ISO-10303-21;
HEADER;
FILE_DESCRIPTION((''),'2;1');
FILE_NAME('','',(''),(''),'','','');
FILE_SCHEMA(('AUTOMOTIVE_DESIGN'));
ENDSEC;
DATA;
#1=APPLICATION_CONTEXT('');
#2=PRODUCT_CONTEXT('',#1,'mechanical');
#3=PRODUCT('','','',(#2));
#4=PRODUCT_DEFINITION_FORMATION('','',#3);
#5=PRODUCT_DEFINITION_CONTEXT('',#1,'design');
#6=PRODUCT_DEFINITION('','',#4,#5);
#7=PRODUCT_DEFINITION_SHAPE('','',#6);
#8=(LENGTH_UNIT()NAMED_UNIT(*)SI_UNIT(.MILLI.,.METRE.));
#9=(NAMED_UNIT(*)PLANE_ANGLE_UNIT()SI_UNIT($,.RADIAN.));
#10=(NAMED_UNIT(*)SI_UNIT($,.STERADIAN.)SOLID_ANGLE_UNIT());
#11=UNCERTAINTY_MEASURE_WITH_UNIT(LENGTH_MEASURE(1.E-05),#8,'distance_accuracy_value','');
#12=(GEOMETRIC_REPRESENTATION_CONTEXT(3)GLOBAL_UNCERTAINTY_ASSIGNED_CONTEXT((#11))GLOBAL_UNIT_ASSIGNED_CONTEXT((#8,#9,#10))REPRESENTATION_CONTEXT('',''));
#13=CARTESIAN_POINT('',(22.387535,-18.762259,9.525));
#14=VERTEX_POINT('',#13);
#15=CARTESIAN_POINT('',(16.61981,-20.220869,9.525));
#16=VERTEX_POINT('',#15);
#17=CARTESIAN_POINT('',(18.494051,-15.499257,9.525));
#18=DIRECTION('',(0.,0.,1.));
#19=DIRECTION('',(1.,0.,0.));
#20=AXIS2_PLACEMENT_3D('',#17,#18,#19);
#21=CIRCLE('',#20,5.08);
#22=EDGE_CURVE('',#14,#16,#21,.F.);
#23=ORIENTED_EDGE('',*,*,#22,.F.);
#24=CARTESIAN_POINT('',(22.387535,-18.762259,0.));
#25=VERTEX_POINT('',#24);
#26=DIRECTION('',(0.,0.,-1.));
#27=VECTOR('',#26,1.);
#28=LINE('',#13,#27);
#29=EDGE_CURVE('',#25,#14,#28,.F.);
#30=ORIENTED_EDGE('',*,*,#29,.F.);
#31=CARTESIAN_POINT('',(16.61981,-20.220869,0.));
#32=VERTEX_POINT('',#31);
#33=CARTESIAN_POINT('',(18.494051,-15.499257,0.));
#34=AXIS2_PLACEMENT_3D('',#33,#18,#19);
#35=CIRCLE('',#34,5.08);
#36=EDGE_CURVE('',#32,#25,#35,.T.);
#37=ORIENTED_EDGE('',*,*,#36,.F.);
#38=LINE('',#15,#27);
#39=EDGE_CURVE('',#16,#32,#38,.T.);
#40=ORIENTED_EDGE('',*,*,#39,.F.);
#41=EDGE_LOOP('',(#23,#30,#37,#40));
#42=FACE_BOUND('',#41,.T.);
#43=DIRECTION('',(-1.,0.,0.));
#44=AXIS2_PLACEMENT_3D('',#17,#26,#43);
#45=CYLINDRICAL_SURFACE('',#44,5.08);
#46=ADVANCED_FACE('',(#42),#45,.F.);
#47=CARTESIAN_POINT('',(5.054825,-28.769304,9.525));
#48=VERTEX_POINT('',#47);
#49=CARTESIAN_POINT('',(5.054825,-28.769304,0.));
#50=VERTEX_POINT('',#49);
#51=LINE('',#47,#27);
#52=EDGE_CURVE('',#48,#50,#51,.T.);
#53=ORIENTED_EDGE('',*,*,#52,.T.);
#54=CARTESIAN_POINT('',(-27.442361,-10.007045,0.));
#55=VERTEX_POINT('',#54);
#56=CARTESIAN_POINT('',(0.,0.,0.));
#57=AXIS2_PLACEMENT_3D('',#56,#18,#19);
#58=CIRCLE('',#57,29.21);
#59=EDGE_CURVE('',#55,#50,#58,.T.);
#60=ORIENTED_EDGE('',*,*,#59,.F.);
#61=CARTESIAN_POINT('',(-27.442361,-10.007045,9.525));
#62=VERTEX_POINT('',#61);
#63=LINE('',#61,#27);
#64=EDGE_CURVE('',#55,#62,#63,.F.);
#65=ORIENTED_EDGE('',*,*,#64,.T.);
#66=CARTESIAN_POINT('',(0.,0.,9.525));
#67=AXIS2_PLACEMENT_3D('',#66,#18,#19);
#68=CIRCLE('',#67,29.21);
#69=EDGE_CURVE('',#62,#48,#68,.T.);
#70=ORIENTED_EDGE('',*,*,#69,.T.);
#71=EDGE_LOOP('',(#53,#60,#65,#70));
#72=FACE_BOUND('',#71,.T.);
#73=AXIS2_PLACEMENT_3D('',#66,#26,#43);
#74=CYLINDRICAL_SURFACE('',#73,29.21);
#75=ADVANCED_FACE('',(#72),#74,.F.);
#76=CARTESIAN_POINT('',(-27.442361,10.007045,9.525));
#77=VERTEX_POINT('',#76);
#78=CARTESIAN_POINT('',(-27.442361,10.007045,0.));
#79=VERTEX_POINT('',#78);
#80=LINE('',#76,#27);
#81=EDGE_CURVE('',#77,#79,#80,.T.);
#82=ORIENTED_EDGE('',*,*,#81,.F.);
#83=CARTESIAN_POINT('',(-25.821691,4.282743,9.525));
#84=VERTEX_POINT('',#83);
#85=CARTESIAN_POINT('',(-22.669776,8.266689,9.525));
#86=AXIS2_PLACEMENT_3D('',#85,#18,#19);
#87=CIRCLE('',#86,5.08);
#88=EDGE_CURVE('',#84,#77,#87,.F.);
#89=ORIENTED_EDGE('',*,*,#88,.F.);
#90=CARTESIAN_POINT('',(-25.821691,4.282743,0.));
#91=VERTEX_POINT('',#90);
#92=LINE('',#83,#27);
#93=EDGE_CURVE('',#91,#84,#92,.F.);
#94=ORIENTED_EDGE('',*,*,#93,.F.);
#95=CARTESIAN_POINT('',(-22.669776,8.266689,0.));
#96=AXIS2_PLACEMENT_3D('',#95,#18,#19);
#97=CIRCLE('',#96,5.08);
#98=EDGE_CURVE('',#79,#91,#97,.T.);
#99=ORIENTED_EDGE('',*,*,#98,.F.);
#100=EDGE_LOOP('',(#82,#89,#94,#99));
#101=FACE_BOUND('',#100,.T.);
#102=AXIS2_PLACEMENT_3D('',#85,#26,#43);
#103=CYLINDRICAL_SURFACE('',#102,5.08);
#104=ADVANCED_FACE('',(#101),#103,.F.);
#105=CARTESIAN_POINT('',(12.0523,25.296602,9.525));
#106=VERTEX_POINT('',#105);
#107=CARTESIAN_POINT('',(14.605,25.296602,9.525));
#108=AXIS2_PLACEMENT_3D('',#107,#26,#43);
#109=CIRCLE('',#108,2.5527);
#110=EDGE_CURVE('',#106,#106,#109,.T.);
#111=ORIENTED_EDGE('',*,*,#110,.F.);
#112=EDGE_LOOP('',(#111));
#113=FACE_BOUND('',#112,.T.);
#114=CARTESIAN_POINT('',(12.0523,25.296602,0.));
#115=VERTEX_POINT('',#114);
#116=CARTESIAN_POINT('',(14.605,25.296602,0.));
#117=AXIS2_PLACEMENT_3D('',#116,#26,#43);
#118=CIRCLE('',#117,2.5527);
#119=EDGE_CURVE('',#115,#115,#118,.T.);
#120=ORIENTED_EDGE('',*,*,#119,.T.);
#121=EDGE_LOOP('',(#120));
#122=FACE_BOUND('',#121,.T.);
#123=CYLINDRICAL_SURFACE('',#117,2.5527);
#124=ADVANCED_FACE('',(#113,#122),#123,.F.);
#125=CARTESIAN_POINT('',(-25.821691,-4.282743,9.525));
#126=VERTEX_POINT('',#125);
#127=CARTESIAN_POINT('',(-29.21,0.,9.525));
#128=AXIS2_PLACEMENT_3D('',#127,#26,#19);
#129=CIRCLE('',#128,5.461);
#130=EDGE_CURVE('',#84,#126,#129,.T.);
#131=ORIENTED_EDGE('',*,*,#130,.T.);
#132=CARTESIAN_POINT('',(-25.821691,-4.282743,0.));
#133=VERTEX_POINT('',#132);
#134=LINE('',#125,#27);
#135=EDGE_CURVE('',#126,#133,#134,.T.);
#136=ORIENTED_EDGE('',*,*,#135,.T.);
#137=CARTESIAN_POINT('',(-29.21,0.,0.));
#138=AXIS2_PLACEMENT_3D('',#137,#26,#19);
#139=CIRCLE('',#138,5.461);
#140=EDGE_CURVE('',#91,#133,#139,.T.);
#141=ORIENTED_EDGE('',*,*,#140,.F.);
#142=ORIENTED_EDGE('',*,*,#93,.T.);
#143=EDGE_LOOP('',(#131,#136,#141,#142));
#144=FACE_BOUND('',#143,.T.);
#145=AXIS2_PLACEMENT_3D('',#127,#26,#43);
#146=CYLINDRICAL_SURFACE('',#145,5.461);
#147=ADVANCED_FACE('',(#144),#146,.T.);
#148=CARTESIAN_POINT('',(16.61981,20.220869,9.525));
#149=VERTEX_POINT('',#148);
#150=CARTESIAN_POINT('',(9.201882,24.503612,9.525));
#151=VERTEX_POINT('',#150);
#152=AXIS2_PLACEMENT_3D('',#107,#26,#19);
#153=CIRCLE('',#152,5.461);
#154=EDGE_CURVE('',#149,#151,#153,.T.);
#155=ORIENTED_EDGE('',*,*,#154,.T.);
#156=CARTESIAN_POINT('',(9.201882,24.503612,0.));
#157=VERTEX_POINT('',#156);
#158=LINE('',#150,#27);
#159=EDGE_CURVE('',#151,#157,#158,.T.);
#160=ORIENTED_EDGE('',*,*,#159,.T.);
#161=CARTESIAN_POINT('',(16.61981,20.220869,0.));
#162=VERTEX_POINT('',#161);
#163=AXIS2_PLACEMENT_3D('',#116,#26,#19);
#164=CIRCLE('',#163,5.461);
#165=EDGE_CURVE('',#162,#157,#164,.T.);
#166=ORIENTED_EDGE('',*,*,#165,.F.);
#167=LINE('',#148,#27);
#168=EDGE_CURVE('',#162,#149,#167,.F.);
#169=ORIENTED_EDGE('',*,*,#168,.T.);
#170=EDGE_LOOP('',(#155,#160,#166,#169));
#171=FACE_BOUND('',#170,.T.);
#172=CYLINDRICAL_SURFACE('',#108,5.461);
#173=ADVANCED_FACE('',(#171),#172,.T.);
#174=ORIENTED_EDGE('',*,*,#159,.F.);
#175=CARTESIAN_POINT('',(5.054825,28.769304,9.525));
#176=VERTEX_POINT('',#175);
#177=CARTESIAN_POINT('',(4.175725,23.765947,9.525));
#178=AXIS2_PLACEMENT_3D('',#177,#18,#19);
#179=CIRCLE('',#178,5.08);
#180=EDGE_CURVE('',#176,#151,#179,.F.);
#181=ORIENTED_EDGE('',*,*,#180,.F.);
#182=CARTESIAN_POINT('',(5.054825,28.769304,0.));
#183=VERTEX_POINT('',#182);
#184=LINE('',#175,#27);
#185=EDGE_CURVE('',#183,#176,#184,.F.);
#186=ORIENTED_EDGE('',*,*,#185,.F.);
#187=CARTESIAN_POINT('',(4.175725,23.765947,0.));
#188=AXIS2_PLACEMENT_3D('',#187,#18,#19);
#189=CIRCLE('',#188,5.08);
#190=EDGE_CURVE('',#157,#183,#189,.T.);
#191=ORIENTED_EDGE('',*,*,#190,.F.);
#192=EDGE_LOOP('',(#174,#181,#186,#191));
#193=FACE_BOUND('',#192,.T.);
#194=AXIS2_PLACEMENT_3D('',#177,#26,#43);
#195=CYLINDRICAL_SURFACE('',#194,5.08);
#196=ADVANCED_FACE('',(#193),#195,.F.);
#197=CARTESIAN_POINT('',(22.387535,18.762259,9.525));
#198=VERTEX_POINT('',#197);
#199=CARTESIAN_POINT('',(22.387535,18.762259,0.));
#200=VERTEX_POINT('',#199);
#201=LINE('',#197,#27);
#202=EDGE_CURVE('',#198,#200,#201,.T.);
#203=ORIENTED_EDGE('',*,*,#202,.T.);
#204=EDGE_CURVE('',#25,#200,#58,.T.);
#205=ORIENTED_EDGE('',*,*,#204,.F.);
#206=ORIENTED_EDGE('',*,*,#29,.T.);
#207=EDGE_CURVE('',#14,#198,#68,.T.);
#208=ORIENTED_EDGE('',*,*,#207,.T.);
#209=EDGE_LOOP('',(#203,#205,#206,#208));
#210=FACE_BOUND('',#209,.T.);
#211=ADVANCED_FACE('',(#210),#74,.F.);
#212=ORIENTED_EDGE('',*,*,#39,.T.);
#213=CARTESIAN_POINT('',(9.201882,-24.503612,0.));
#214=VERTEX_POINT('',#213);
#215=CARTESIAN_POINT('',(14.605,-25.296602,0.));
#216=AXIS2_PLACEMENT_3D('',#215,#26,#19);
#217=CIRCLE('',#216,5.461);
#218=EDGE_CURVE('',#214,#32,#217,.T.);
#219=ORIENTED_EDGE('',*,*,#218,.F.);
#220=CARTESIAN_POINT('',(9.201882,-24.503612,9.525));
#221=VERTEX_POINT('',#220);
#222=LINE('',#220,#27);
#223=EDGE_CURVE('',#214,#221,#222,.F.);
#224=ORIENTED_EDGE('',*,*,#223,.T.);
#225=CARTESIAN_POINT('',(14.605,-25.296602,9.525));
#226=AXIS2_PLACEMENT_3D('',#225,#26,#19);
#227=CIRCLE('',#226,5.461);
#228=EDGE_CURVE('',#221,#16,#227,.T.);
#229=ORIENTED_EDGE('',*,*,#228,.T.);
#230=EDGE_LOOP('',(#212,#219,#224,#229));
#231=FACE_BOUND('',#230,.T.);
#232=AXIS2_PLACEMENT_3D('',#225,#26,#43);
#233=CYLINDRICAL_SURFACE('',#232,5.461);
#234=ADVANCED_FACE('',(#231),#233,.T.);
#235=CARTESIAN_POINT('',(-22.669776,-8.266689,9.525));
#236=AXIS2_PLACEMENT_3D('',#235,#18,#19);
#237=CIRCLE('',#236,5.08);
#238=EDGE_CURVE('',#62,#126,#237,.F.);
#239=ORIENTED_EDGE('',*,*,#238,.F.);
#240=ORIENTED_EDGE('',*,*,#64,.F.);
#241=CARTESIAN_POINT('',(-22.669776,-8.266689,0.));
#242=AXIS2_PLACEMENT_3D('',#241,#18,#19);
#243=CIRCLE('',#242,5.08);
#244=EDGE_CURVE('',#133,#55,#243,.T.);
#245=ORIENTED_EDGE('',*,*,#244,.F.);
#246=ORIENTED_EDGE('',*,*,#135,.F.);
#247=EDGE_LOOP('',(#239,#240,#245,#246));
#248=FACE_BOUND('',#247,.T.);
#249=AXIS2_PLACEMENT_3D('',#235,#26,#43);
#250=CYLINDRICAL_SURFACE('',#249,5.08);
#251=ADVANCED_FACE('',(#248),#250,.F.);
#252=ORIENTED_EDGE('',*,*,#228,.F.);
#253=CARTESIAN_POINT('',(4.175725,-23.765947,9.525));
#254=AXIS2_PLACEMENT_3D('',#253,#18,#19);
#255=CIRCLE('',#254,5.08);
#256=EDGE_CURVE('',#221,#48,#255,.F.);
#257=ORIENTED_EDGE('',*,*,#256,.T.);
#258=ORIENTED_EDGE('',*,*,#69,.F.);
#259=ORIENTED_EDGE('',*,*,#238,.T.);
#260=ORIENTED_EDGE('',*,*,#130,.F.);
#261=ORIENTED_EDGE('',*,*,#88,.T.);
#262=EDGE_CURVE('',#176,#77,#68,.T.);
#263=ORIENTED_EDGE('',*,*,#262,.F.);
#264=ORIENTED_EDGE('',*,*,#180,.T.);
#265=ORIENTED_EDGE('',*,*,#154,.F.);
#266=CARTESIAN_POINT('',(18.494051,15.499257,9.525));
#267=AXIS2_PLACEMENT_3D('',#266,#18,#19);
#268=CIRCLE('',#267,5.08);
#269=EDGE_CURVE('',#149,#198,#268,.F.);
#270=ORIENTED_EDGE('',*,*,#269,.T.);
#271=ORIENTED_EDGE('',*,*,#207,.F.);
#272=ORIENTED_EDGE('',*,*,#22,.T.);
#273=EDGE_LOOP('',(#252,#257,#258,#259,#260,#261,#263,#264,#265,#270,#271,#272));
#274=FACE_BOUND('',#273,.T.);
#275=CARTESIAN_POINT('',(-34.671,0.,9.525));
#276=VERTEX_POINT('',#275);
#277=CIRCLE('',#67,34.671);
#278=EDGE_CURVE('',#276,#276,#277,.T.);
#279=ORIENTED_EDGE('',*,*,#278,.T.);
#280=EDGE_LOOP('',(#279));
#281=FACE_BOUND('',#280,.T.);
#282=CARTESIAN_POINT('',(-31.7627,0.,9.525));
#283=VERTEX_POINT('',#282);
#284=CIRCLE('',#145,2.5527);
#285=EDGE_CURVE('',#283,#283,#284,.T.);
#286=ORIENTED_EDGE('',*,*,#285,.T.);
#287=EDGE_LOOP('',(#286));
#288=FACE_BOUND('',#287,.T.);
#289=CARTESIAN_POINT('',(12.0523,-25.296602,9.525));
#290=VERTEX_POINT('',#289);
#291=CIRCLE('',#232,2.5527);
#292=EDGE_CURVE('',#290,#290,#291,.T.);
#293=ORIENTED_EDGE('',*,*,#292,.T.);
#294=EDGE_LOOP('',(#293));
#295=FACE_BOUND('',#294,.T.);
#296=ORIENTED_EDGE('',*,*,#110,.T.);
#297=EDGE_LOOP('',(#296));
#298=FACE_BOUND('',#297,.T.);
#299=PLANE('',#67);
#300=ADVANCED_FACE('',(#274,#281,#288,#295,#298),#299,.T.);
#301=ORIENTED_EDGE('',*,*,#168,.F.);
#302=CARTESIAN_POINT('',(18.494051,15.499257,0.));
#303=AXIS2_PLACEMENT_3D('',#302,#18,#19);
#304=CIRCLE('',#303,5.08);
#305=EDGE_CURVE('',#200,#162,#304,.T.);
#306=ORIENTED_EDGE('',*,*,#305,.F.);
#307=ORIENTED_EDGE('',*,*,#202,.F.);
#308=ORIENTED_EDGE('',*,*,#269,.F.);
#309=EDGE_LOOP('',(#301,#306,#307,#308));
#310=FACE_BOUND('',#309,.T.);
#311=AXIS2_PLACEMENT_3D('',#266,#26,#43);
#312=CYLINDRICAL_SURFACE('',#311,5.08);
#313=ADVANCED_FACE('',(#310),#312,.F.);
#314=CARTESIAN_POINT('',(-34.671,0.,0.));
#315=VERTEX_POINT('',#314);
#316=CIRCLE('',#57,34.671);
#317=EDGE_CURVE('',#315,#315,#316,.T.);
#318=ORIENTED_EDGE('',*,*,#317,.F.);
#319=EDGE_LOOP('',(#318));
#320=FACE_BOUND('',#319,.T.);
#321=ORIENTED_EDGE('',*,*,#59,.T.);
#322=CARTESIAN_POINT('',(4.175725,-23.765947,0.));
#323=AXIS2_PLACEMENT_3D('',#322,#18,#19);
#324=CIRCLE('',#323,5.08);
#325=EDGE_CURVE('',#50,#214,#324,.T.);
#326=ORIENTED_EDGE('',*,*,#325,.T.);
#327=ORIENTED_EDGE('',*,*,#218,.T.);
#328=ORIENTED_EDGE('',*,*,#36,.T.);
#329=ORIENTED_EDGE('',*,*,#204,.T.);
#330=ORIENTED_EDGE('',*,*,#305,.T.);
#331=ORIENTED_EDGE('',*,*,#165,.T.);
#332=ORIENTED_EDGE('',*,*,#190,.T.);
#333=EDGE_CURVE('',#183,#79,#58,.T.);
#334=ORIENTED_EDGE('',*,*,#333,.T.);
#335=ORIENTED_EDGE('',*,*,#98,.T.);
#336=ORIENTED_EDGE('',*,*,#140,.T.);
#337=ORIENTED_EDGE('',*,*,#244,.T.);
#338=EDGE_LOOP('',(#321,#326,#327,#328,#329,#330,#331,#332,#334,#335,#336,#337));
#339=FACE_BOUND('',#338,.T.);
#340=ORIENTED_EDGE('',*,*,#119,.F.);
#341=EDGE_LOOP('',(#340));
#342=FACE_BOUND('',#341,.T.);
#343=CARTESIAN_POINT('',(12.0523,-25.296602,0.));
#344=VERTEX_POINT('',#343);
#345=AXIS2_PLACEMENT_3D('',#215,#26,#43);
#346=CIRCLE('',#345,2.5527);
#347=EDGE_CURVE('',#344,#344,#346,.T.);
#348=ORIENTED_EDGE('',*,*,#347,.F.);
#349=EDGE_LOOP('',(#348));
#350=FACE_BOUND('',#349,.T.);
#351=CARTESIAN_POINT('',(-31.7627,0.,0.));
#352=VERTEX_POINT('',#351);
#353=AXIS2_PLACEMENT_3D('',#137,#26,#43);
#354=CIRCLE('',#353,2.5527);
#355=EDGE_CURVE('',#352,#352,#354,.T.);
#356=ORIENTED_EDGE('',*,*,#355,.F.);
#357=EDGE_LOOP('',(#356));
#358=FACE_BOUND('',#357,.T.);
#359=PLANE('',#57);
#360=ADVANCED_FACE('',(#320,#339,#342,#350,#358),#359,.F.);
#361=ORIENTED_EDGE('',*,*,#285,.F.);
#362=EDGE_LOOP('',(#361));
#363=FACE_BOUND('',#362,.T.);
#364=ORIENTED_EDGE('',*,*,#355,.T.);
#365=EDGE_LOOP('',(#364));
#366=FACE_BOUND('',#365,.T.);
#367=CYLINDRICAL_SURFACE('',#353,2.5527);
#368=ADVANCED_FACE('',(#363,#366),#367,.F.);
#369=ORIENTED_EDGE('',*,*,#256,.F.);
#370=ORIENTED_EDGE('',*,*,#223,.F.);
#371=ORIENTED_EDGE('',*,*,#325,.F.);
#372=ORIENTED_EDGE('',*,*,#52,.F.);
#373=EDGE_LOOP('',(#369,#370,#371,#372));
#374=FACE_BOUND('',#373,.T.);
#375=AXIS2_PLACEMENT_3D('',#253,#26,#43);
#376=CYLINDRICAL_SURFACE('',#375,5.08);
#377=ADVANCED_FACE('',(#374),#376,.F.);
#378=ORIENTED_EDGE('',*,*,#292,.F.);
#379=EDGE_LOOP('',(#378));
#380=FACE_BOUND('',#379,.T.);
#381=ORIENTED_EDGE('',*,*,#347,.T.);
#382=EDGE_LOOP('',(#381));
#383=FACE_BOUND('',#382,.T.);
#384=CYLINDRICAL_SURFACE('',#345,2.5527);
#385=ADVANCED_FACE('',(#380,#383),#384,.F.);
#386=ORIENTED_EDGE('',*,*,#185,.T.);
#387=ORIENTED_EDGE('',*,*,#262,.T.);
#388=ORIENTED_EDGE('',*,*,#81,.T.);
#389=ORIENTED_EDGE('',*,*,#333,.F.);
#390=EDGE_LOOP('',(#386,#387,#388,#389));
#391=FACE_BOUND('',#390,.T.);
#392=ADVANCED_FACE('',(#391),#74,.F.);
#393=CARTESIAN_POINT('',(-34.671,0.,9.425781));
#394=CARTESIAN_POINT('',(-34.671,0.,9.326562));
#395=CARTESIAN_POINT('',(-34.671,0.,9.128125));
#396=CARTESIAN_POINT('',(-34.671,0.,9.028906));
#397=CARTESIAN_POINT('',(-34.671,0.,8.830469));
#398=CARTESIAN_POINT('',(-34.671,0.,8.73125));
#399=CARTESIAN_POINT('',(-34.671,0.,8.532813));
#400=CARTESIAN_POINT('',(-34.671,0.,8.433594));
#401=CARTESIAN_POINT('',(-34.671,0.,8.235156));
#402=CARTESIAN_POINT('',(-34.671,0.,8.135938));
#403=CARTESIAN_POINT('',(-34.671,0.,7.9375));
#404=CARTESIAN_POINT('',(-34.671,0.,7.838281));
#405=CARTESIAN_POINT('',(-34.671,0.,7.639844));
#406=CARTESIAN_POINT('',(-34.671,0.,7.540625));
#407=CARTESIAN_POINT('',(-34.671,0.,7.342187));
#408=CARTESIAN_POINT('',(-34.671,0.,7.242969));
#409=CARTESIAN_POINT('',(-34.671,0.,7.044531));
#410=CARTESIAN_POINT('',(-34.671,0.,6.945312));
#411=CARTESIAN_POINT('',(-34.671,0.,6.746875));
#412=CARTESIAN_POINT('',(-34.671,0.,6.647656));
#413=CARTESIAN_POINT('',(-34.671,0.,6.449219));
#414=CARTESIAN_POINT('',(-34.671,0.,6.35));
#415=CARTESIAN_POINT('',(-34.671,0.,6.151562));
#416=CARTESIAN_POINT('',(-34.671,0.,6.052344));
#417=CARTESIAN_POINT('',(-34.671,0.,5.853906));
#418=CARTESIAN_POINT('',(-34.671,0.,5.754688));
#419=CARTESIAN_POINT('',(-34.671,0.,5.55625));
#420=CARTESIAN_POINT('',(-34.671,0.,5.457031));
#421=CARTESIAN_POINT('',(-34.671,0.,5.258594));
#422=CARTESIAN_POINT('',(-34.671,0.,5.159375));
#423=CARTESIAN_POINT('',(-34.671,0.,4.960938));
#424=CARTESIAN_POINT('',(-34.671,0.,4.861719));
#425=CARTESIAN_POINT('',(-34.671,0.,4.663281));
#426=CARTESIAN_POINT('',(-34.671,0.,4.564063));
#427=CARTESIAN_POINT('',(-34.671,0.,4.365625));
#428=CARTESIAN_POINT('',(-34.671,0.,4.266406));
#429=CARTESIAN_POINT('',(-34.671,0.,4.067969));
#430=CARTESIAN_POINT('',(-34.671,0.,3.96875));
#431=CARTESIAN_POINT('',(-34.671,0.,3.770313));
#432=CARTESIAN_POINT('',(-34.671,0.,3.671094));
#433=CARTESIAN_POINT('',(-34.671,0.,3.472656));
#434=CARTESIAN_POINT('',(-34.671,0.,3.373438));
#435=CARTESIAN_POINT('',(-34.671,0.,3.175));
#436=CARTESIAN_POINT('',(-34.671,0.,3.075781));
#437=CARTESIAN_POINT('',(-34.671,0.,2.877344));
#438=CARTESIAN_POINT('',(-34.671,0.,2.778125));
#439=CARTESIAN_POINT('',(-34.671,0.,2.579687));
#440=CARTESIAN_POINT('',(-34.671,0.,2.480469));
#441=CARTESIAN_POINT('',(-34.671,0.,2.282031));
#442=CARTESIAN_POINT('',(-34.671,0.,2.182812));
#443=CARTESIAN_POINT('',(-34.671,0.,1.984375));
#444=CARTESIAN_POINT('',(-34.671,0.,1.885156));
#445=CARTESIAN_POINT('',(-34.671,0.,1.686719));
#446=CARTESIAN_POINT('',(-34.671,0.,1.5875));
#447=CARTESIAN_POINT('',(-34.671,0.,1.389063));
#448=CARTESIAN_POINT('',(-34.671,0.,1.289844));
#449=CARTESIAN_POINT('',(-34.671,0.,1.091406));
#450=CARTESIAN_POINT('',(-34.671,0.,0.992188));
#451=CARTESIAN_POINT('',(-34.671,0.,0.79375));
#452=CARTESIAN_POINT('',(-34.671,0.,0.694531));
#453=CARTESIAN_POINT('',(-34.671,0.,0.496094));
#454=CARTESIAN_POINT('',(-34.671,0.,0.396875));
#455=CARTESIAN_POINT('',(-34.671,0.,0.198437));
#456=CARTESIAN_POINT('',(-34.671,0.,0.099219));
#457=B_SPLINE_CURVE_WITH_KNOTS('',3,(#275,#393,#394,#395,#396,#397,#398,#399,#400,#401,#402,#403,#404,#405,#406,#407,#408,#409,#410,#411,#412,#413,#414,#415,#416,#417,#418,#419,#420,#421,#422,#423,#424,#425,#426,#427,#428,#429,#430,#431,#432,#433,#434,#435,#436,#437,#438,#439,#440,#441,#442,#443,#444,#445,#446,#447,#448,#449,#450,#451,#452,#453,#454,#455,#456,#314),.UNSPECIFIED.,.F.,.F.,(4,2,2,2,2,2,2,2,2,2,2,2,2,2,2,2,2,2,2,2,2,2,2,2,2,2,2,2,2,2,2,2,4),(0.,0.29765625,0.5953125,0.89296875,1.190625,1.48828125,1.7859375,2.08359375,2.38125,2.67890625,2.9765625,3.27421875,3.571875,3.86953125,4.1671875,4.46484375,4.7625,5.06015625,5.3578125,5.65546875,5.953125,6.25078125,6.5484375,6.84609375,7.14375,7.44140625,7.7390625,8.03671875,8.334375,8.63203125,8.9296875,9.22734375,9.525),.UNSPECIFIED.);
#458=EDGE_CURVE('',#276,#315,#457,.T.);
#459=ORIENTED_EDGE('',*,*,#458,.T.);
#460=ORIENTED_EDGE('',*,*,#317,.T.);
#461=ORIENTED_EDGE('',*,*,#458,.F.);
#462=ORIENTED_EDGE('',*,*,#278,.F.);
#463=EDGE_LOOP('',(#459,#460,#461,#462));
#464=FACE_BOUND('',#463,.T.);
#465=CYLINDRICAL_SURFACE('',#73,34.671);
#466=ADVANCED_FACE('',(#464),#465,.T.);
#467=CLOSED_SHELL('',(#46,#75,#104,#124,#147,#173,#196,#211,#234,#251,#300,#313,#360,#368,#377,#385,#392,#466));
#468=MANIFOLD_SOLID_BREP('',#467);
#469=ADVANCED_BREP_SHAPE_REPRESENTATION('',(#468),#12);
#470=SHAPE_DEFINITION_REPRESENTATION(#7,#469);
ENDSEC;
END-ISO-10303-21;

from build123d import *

# Parameters (mm, degrees)
SKETCH1_R              = 34.671
BOSS_EXTRUDE1_DEPTH    = 9.525
FILLET1_R              = 5.08
F_10_CLEARANCE_HOLE1_D = 5.1054


with BuildPart() as part:
    # Sketch1 → Boss-Extrude1 (new body)
    with BuildSketch(Plane.XY):
        with Locations(Location((0, 0, 0), (0, 0, 180))):
            Circle(SKETCH1_R)
        with BuildLine():
            ThreePointArc((19.058413969, -22.135965238), (29.21, 0), (19.058413969, 22.135965238))
            ThreePointArc((19.058413969, 22.135965238), (11.8745, 20.567237314), (9.641101249, 27.573053271))
            ThreePointArc((9.641101249, 27.573053271), (-14.605, 25.296602045), (-28.699515217, 5.437088034))
            ThreePointArc((-28.699515217, 5.437088034), (-23.749, 0), (-28.699515217, -5.437088034))
            ThreePointArc((-28.699515217, -5.437088034), (-14.605, -25.296602045), (9.641101249, -27.573053271))
            ThreePointArc((9.641101249, -27.573053271), (11.8745, -20.567237314), (19.058413969, -22.135965238))
        make_face(mode=Mode.SUBTRACT)
    extrude(amount=BOSS_EXTRUDE1_DEPTH)

    # Fillet1
    fillet1_edges = [part.edges().sort_by_distance(p)[0] for p in [
        (-28.699515217, 5.437088034, 4.7625),
        (-28.699515217, -5.437088034, 4.7625),
        (9.641101249, -27.573053271, 4.7625),
        (19.058413969, -22.135965238, 4.7625),
        (19.058413969, 22.135965238, 4.7625),
        (9.641101249, 27.573053271, 4.7625),
    ]]
    fillet(fillet1_edges, radius=FILLET1_R)

    # #10 Clearance Hole1 (through all)
    with Locations(Plane(origin=(0, 0, 0), x_dir=(-1, 0, 0), z_dir=(0, 0, -1))):
        with Locations((-14.605, 25.296602045), (29.21, 0), (-14.605, -25.296602045)):
            Hole(F_10_CLEARANCE_HOLE1_D / 2)


solid = part.part
